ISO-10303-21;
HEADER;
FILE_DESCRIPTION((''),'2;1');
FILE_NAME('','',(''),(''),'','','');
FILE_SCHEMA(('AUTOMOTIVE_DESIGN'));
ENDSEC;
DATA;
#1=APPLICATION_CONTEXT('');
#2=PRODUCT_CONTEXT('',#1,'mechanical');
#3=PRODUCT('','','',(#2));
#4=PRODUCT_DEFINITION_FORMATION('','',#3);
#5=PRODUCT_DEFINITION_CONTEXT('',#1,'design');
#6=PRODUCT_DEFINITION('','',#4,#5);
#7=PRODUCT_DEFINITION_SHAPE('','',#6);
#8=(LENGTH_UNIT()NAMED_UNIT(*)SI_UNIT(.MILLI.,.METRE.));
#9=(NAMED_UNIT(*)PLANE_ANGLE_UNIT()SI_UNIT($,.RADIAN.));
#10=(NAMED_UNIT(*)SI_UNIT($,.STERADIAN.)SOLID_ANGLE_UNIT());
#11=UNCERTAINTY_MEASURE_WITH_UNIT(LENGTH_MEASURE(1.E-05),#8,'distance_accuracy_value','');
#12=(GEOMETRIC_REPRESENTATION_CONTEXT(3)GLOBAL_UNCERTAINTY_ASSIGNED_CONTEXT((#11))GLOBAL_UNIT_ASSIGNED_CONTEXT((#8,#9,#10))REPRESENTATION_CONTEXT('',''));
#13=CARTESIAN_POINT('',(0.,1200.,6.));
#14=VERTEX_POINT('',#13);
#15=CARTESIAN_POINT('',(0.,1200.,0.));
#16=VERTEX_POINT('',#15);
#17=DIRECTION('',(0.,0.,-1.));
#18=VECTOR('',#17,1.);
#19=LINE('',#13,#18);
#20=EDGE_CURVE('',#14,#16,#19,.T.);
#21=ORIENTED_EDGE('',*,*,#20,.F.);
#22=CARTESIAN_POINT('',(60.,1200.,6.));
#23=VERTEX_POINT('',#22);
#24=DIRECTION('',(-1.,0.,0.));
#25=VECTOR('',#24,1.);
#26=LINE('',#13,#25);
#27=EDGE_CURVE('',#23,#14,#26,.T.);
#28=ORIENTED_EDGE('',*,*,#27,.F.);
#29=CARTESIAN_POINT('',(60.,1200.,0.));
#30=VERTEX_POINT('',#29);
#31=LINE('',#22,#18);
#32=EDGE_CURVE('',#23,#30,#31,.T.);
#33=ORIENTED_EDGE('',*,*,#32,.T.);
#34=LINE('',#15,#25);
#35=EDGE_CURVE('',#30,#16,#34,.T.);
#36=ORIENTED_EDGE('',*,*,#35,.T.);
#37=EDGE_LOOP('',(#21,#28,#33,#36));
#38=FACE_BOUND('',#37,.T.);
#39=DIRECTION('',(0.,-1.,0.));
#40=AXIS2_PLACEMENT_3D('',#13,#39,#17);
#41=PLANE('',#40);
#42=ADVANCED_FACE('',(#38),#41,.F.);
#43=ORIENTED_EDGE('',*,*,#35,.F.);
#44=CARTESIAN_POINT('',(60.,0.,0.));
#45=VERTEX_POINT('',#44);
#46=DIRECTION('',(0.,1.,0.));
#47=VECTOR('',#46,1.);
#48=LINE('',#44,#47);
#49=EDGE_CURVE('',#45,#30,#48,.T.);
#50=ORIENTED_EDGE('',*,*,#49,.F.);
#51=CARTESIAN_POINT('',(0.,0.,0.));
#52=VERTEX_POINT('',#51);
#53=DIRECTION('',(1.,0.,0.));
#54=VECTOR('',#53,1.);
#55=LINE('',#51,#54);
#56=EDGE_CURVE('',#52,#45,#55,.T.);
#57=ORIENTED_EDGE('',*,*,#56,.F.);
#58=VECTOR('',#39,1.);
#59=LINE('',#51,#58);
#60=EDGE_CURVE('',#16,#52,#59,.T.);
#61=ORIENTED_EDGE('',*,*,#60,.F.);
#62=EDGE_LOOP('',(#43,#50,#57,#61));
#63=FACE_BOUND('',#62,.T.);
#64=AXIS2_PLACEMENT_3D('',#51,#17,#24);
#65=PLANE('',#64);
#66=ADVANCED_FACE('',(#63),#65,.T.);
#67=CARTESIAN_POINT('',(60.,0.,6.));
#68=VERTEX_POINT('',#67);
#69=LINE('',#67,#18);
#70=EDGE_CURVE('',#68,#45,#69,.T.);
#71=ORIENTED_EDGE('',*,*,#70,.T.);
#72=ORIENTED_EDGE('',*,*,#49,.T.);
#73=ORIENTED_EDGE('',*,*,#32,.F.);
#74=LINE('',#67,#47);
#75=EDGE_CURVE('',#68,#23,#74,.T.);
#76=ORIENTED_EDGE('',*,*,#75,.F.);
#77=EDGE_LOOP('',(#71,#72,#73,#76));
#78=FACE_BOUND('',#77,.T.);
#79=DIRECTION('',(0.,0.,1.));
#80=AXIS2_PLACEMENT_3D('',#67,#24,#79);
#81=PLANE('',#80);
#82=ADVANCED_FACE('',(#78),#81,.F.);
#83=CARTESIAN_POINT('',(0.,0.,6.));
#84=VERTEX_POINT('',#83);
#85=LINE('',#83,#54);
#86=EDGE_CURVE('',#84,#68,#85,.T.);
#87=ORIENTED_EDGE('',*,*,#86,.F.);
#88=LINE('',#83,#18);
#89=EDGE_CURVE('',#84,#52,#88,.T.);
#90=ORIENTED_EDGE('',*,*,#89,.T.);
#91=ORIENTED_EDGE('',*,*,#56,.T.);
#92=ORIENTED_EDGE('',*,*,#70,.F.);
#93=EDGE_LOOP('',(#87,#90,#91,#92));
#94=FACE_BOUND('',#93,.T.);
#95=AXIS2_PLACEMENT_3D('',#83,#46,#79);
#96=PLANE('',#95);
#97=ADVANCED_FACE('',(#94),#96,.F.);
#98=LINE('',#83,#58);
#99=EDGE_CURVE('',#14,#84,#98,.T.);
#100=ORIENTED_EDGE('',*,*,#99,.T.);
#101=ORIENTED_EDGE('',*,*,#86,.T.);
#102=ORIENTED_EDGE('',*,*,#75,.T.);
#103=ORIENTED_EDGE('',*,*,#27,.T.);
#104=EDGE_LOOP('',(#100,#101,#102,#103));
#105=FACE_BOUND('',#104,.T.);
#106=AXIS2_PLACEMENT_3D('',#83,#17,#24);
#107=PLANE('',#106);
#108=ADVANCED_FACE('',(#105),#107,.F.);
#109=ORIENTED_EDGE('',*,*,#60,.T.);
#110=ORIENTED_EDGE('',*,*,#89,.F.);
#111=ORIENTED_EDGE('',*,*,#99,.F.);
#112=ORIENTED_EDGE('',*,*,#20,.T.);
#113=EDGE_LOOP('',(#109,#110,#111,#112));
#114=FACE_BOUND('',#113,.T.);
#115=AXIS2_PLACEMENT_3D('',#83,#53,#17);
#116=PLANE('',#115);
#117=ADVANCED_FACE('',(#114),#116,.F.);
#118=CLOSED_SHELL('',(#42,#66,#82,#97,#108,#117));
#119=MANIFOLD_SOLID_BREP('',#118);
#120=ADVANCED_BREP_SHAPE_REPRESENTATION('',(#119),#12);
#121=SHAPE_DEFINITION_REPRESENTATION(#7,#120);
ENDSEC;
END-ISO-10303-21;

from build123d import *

# Parameters (mm, degrees)
SKETCH1_W     = 60
SKETCH1_H     = 1200
PROFILE_DEPTH = 6


with BuildPart() as part:
    # Sketch1 → Profile (new body)
    with BuildSketch(Plane.XY):
        with Locations((30, 600)):
            Rectangle(SKETCH1_W, SKETCH1_H)
    extrude(amount=PROFILE_DEPTH)


solid = part.part
